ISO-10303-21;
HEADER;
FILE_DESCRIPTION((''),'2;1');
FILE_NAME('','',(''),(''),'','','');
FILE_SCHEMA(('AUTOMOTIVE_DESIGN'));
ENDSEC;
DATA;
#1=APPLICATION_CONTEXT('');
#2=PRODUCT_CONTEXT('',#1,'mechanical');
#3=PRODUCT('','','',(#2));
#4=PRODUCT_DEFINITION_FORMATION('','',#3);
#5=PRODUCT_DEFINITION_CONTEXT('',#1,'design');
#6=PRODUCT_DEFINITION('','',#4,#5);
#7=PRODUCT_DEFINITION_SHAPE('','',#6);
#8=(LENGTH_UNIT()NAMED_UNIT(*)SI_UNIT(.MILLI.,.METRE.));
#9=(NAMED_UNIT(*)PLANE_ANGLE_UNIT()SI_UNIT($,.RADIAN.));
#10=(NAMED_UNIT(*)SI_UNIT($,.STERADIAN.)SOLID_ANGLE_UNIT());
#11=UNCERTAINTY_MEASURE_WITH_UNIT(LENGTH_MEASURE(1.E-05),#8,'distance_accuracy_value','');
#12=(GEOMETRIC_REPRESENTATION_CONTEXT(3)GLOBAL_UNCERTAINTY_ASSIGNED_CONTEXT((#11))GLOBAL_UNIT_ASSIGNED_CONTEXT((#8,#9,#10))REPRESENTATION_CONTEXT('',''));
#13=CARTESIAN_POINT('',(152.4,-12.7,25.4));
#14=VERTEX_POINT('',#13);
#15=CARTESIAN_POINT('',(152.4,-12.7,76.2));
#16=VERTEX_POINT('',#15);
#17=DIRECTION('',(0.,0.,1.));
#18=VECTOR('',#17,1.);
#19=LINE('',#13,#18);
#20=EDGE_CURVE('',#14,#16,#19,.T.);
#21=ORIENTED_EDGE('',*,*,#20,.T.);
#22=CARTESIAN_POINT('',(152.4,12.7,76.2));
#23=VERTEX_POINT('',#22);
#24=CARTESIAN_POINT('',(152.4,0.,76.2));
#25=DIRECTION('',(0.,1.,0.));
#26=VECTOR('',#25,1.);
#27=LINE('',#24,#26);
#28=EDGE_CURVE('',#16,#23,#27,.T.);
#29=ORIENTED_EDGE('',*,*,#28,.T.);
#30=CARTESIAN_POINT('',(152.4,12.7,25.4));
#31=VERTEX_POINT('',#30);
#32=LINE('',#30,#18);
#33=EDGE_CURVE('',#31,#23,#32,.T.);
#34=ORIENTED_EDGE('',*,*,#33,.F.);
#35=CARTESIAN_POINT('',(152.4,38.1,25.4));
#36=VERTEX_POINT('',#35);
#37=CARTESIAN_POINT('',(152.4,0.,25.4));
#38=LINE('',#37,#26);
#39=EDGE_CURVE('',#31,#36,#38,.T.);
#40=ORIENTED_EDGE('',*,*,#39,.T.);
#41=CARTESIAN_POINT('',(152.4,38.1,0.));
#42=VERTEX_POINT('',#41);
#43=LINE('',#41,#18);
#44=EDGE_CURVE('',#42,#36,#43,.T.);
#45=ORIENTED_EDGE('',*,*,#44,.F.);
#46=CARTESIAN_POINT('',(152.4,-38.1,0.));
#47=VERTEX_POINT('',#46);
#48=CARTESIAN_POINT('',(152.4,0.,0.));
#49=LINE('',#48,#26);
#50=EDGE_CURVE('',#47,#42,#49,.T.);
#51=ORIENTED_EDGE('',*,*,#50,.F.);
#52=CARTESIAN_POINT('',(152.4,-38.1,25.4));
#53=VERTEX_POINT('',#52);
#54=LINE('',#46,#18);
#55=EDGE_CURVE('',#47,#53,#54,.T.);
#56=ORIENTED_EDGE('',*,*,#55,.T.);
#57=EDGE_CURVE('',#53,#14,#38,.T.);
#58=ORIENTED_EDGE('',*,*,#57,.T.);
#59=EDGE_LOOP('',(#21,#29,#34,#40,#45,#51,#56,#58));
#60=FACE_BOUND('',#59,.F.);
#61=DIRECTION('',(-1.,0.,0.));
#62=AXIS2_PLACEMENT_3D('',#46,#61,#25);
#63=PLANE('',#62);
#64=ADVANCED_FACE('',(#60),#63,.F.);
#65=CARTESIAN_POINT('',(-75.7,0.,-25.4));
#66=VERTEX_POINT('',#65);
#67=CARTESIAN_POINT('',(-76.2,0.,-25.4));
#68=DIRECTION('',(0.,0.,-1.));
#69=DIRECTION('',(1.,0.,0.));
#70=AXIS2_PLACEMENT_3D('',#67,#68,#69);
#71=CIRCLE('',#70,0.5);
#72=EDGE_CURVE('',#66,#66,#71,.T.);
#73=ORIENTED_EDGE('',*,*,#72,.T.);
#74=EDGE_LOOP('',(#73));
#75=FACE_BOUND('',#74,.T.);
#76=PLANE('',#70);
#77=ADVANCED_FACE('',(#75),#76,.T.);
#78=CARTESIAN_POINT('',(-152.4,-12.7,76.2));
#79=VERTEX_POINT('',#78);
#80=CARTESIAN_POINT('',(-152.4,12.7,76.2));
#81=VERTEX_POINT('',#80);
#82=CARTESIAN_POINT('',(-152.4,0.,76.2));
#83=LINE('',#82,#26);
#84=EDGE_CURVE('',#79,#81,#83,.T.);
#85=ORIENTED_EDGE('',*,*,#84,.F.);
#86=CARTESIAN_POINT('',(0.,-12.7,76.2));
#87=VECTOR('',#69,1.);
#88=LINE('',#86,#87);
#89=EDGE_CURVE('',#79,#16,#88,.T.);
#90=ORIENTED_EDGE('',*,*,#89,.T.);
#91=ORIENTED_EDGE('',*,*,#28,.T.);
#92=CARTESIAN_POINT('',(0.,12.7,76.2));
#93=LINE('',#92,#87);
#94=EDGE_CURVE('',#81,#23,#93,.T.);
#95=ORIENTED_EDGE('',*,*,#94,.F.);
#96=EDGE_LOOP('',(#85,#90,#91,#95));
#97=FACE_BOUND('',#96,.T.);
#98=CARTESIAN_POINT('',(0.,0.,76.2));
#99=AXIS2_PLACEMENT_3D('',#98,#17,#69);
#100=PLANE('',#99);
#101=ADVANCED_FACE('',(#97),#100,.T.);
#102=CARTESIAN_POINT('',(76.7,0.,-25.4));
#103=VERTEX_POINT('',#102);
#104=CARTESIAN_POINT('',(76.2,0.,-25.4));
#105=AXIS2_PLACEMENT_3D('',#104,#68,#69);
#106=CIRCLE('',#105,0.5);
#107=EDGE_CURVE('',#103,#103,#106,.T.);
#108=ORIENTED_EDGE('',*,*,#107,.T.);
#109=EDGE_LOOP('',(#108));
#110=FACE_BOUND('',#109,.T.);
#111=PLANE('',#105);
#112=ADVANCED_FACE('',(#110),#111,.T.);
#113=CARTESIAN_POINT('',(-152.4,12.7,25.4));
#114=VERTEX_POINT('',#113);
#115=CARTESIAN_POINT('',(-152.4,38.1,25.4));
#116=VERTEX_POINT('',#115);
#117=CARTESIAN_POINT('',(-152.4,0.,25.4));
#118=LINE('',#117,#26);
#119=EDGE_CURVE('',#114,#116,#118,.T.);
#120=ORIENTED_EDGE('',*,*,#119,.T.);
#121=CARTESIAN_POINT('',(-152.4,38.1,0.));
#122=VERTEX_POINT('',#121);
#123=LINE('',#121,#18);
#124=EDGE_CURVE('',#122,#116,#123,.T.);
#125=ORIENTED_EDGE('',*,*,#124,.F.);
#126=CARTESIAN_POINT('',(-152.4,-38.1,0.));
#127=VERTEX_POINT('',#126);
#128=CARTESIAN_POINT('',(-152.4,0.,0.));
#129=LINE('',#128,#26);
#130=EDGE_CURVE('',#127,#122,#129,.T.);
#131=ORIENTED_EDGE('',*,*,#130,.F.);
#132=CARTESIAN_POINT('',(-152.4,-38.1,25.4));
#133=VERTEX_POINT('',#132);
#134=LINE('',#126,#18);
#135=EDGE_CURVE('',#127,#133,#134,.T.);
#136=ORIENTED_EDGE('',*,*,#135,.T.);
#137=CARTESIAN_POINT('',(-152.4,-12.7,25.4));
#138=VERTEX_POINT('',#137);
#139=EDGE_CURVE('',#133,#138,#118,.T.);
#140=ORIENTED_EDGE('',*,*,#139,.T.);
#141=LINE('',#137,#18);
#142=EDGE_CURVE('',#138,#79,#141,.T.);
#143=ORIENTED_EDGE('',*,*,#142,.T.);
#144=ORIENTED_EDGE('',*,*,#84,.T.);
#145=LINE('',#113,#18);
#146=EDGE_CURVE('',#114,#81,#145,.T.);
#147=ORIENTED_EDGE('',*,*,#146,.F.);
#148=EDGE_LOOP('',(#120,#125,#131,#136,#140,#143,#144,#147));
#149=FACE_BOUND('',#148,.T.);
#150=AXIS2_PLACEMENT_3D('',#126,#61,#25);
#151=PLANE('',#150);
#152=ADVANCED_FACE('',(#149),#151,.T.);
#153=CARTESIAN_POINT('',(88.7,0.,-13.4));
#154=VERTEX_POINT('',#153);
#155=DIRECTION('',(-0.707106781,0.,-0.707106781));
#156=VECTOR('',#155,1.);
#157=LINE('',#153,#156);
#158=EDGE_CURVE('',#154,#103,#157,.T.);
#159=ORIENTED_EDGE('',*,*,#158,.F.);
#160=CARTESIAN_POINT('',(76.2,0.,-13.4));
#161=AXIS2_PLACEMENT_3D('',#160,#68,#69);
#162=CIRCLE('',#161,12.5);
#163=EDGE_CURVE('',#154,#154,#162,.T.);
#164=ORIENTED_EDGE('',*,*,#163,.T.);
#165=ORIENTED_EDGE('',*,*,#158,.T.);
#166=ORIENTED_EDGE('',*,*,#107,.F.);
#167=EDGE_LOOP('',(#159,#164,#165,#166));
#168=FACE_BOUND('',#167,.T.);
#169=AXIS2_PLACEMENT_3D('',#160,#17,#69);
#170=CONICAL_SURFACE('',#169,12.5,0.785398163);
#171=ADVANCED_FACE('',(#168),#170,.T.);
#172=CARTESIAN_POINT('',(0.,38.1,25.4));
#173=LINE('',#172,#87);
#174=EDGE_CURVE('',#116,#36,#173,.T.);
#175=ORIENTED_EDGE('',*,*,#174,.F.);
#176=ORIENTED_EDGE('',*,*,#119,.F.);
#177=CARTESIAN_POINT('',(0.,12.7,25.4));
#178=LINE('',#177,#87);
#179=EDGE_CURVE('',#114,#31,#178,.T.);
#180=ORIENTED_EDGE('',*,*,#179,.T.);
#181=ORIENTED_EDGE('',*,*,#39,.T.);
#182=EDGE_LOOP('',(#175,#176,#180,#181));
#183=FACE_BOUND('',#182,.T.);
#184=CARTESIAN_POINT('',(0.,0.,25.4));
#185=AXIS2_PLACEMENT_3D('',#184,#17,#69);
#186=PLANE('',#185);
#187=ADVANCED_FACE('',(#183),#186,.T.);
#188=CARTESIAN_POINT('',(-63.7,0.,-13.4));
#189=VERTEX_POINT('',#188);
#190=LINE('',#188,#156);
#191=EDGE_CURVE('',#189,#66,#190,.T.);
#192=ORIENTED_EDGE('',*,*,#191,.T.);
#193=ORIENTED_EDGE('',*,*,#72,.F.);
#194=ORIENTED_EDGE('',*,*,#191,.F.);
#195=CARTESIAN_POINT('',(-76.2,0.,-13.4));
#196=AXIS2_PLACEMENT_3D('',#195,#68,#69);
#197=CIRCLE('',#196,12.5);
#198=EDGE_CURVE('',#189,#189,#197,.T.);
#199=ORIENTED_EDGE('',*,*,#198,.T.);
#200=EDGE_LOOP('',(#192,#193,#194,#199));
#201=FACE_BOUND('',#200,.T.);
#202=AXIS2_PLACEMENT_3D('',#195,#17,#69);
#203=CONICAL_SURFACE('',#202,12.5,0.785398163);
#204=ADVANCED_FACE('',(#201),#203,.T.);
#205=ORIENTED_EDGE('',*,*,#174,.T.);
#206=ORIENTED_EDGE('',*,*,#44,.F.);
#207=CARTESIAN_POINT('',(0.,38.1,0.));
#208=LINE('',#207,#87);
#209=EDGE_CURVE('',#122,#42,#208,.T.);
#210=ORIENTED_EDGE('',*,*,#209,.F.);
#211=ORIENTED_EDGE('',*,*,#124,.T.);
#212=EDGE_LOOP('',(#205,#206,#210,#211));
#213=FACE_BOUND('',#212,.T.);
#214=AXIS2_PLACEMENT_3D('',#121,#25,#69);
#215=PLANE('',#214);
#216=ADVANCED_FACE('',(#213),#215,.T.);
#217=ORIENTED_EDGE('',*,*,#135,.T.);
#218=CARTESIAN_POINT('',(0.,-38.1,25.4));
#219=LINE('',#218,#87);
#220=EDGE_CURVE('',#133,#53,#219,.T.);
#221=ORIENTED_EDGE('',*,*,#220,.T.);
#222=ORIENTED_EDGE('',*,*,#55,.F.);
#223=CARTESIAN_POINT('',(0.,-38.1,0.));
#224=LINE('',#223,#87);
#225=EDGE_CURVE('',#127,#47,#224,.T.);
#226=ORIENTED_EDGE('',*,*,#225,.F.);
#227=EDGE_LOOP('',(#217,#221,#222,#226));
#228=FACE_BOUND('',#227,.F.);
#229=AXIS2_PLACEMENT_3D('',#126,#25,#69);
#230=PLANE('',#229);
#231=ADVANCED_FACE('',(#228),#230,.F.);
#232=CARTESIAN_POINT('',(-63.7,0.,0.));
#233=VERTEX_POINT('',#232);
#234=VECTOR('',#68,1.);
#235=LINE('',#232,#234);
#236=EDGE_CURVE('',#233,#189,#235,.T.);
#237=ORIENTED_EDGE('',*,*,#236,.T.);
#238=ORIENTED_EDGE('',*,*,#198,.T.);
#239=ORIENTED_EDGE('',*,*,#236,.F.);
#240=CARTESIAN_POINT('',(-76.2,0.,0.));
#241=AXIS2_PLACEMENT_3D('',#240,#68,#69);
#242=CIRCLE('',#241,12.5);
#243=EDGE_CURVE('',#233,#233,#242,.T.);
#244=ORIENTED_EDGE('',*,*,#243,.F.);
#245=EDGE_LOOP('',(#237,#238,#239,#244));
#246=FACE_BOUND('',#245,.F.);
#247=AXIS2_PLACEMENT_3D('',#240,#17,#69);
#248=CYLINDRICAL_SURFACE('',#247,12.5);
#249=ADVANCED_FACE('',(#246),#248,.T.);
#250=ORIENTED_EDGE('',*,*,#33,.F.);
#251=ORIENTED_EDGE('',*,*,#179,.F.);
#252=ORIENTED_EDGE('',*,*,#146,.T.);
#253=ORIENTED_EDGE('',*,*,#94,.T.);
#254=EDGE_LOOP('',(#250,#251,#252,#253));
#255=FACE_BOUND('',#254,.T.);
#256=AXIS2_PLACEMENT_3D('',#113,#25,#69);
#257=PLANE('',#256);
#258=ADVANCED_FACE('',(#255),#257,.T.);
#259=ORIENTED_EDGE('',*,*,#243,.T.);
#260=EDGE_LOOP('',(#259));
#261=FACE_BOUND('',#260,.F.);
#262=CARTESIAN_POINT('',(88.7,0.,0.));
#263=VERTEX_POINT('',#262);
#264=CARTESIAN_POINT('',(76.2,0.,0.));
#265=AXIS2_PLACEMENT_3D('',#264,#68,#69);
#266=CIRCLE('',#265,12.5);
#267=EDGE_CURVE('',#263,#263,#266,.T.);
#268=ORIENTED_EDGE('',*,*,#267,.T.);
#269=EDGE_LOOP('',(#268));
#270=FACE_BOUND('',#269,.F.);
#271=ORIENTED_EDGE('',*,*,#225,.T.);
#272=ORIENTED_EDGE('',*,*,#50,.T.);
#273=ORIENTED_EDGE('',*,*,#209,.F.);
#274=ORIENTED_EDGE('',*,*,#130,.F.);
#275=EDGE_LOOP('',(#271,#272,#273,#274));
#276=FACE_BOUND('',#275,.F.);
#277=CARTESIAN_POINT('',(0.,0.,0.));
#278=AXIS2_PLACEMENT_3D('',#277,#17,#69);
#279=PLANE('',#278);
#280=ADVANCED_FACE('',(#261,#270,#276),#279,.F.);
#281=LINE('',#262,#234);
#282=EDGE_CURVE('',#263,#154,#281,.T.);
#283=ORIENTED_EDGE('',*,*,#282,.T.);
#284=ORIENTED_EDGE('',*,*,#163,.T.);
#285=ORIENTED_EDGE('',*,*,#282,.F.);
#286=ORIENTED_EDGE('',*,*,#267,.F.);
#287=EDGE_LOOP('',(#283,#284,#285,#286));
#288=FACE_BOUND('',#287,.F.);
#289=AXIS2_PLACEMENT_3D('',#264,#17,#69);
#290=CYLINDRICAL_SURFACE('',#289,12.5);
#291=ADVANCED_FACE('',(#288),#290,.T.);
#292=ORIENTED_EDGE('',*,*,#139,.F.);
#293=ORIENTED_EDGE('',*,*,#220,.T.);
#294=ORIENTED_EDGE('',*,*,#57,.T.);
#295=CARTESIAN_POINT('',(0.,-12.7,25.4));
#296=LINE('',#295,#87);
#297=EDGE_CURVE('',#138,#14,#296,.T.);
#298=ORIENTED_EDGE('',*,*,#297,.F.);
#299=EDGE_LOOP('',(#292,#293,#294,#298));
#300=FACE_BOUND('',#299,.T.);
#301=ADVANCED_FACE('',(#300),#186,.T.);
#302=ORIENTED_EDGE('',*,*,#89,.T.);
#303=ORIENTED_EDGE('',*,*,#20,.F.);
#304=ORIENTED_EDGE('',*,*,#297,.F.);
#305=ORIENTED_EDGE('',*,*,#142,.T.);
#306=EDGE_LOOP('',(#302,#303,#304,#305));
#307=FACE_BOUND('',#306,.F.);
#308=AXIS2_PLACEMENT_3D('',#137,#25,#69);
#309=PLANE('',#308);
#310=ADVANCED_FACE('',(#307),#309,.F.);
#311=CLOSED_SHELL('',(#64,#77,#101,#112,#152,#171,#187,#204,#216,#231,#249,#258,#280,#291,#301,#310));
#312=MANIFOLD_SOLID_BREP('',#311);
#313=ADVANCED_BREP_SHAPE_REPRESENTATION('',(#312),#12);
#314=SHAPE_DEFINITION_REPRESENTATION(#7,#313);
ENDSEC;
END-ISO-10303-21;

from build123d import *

# Parameters (mm, degrees)
F0_W     = 304.8
F0_H     = 76.2
F1_DEPTH = 25.4
F2_W     = 304.8
F2_H     = 25.4
F3_DEPTH = 50.8
F4_R     = 12.5
F5_DEPTH = 25.4
F6_SIZE  = 12


with BuildPart() as f1:
    # F0 (on Top) → F1 (new body)
    with BuildSketch(Plane.XY):
        Rectangle(F0_W, F0_H)
    extrude(amount=F1_DEPTH)

    # F2 (on face) → F3 (join)
    with BuildSketch(Plane.XY.offset(25.4)):
        Rectangle(F2_W, F2_H)
    extrude(amount=F3_DEPTH)

    # F4 (on face) → F5 (join)
    with BuildSketch(Plane(origin=(0, 0, 0), x_dir=(1, 0, 0), z_dir=(0, 0, -1))):
        with Locations((-76.2, 0)):
            Circle(F4_R)
        with Locations((76.2, 0)):
            Circle(F4_R)
    extrude(amount=F5_DEPTH)

    # F6
    f6_edges = [f1.edges().sort_by_distance(p)[0] for p in [
        (-88.7, 0, -25.4),
        (63.7, 0, -25.4),
    ]]
    chamfer(f6_edges, length=F6_SIZE)


solid = f1.part
